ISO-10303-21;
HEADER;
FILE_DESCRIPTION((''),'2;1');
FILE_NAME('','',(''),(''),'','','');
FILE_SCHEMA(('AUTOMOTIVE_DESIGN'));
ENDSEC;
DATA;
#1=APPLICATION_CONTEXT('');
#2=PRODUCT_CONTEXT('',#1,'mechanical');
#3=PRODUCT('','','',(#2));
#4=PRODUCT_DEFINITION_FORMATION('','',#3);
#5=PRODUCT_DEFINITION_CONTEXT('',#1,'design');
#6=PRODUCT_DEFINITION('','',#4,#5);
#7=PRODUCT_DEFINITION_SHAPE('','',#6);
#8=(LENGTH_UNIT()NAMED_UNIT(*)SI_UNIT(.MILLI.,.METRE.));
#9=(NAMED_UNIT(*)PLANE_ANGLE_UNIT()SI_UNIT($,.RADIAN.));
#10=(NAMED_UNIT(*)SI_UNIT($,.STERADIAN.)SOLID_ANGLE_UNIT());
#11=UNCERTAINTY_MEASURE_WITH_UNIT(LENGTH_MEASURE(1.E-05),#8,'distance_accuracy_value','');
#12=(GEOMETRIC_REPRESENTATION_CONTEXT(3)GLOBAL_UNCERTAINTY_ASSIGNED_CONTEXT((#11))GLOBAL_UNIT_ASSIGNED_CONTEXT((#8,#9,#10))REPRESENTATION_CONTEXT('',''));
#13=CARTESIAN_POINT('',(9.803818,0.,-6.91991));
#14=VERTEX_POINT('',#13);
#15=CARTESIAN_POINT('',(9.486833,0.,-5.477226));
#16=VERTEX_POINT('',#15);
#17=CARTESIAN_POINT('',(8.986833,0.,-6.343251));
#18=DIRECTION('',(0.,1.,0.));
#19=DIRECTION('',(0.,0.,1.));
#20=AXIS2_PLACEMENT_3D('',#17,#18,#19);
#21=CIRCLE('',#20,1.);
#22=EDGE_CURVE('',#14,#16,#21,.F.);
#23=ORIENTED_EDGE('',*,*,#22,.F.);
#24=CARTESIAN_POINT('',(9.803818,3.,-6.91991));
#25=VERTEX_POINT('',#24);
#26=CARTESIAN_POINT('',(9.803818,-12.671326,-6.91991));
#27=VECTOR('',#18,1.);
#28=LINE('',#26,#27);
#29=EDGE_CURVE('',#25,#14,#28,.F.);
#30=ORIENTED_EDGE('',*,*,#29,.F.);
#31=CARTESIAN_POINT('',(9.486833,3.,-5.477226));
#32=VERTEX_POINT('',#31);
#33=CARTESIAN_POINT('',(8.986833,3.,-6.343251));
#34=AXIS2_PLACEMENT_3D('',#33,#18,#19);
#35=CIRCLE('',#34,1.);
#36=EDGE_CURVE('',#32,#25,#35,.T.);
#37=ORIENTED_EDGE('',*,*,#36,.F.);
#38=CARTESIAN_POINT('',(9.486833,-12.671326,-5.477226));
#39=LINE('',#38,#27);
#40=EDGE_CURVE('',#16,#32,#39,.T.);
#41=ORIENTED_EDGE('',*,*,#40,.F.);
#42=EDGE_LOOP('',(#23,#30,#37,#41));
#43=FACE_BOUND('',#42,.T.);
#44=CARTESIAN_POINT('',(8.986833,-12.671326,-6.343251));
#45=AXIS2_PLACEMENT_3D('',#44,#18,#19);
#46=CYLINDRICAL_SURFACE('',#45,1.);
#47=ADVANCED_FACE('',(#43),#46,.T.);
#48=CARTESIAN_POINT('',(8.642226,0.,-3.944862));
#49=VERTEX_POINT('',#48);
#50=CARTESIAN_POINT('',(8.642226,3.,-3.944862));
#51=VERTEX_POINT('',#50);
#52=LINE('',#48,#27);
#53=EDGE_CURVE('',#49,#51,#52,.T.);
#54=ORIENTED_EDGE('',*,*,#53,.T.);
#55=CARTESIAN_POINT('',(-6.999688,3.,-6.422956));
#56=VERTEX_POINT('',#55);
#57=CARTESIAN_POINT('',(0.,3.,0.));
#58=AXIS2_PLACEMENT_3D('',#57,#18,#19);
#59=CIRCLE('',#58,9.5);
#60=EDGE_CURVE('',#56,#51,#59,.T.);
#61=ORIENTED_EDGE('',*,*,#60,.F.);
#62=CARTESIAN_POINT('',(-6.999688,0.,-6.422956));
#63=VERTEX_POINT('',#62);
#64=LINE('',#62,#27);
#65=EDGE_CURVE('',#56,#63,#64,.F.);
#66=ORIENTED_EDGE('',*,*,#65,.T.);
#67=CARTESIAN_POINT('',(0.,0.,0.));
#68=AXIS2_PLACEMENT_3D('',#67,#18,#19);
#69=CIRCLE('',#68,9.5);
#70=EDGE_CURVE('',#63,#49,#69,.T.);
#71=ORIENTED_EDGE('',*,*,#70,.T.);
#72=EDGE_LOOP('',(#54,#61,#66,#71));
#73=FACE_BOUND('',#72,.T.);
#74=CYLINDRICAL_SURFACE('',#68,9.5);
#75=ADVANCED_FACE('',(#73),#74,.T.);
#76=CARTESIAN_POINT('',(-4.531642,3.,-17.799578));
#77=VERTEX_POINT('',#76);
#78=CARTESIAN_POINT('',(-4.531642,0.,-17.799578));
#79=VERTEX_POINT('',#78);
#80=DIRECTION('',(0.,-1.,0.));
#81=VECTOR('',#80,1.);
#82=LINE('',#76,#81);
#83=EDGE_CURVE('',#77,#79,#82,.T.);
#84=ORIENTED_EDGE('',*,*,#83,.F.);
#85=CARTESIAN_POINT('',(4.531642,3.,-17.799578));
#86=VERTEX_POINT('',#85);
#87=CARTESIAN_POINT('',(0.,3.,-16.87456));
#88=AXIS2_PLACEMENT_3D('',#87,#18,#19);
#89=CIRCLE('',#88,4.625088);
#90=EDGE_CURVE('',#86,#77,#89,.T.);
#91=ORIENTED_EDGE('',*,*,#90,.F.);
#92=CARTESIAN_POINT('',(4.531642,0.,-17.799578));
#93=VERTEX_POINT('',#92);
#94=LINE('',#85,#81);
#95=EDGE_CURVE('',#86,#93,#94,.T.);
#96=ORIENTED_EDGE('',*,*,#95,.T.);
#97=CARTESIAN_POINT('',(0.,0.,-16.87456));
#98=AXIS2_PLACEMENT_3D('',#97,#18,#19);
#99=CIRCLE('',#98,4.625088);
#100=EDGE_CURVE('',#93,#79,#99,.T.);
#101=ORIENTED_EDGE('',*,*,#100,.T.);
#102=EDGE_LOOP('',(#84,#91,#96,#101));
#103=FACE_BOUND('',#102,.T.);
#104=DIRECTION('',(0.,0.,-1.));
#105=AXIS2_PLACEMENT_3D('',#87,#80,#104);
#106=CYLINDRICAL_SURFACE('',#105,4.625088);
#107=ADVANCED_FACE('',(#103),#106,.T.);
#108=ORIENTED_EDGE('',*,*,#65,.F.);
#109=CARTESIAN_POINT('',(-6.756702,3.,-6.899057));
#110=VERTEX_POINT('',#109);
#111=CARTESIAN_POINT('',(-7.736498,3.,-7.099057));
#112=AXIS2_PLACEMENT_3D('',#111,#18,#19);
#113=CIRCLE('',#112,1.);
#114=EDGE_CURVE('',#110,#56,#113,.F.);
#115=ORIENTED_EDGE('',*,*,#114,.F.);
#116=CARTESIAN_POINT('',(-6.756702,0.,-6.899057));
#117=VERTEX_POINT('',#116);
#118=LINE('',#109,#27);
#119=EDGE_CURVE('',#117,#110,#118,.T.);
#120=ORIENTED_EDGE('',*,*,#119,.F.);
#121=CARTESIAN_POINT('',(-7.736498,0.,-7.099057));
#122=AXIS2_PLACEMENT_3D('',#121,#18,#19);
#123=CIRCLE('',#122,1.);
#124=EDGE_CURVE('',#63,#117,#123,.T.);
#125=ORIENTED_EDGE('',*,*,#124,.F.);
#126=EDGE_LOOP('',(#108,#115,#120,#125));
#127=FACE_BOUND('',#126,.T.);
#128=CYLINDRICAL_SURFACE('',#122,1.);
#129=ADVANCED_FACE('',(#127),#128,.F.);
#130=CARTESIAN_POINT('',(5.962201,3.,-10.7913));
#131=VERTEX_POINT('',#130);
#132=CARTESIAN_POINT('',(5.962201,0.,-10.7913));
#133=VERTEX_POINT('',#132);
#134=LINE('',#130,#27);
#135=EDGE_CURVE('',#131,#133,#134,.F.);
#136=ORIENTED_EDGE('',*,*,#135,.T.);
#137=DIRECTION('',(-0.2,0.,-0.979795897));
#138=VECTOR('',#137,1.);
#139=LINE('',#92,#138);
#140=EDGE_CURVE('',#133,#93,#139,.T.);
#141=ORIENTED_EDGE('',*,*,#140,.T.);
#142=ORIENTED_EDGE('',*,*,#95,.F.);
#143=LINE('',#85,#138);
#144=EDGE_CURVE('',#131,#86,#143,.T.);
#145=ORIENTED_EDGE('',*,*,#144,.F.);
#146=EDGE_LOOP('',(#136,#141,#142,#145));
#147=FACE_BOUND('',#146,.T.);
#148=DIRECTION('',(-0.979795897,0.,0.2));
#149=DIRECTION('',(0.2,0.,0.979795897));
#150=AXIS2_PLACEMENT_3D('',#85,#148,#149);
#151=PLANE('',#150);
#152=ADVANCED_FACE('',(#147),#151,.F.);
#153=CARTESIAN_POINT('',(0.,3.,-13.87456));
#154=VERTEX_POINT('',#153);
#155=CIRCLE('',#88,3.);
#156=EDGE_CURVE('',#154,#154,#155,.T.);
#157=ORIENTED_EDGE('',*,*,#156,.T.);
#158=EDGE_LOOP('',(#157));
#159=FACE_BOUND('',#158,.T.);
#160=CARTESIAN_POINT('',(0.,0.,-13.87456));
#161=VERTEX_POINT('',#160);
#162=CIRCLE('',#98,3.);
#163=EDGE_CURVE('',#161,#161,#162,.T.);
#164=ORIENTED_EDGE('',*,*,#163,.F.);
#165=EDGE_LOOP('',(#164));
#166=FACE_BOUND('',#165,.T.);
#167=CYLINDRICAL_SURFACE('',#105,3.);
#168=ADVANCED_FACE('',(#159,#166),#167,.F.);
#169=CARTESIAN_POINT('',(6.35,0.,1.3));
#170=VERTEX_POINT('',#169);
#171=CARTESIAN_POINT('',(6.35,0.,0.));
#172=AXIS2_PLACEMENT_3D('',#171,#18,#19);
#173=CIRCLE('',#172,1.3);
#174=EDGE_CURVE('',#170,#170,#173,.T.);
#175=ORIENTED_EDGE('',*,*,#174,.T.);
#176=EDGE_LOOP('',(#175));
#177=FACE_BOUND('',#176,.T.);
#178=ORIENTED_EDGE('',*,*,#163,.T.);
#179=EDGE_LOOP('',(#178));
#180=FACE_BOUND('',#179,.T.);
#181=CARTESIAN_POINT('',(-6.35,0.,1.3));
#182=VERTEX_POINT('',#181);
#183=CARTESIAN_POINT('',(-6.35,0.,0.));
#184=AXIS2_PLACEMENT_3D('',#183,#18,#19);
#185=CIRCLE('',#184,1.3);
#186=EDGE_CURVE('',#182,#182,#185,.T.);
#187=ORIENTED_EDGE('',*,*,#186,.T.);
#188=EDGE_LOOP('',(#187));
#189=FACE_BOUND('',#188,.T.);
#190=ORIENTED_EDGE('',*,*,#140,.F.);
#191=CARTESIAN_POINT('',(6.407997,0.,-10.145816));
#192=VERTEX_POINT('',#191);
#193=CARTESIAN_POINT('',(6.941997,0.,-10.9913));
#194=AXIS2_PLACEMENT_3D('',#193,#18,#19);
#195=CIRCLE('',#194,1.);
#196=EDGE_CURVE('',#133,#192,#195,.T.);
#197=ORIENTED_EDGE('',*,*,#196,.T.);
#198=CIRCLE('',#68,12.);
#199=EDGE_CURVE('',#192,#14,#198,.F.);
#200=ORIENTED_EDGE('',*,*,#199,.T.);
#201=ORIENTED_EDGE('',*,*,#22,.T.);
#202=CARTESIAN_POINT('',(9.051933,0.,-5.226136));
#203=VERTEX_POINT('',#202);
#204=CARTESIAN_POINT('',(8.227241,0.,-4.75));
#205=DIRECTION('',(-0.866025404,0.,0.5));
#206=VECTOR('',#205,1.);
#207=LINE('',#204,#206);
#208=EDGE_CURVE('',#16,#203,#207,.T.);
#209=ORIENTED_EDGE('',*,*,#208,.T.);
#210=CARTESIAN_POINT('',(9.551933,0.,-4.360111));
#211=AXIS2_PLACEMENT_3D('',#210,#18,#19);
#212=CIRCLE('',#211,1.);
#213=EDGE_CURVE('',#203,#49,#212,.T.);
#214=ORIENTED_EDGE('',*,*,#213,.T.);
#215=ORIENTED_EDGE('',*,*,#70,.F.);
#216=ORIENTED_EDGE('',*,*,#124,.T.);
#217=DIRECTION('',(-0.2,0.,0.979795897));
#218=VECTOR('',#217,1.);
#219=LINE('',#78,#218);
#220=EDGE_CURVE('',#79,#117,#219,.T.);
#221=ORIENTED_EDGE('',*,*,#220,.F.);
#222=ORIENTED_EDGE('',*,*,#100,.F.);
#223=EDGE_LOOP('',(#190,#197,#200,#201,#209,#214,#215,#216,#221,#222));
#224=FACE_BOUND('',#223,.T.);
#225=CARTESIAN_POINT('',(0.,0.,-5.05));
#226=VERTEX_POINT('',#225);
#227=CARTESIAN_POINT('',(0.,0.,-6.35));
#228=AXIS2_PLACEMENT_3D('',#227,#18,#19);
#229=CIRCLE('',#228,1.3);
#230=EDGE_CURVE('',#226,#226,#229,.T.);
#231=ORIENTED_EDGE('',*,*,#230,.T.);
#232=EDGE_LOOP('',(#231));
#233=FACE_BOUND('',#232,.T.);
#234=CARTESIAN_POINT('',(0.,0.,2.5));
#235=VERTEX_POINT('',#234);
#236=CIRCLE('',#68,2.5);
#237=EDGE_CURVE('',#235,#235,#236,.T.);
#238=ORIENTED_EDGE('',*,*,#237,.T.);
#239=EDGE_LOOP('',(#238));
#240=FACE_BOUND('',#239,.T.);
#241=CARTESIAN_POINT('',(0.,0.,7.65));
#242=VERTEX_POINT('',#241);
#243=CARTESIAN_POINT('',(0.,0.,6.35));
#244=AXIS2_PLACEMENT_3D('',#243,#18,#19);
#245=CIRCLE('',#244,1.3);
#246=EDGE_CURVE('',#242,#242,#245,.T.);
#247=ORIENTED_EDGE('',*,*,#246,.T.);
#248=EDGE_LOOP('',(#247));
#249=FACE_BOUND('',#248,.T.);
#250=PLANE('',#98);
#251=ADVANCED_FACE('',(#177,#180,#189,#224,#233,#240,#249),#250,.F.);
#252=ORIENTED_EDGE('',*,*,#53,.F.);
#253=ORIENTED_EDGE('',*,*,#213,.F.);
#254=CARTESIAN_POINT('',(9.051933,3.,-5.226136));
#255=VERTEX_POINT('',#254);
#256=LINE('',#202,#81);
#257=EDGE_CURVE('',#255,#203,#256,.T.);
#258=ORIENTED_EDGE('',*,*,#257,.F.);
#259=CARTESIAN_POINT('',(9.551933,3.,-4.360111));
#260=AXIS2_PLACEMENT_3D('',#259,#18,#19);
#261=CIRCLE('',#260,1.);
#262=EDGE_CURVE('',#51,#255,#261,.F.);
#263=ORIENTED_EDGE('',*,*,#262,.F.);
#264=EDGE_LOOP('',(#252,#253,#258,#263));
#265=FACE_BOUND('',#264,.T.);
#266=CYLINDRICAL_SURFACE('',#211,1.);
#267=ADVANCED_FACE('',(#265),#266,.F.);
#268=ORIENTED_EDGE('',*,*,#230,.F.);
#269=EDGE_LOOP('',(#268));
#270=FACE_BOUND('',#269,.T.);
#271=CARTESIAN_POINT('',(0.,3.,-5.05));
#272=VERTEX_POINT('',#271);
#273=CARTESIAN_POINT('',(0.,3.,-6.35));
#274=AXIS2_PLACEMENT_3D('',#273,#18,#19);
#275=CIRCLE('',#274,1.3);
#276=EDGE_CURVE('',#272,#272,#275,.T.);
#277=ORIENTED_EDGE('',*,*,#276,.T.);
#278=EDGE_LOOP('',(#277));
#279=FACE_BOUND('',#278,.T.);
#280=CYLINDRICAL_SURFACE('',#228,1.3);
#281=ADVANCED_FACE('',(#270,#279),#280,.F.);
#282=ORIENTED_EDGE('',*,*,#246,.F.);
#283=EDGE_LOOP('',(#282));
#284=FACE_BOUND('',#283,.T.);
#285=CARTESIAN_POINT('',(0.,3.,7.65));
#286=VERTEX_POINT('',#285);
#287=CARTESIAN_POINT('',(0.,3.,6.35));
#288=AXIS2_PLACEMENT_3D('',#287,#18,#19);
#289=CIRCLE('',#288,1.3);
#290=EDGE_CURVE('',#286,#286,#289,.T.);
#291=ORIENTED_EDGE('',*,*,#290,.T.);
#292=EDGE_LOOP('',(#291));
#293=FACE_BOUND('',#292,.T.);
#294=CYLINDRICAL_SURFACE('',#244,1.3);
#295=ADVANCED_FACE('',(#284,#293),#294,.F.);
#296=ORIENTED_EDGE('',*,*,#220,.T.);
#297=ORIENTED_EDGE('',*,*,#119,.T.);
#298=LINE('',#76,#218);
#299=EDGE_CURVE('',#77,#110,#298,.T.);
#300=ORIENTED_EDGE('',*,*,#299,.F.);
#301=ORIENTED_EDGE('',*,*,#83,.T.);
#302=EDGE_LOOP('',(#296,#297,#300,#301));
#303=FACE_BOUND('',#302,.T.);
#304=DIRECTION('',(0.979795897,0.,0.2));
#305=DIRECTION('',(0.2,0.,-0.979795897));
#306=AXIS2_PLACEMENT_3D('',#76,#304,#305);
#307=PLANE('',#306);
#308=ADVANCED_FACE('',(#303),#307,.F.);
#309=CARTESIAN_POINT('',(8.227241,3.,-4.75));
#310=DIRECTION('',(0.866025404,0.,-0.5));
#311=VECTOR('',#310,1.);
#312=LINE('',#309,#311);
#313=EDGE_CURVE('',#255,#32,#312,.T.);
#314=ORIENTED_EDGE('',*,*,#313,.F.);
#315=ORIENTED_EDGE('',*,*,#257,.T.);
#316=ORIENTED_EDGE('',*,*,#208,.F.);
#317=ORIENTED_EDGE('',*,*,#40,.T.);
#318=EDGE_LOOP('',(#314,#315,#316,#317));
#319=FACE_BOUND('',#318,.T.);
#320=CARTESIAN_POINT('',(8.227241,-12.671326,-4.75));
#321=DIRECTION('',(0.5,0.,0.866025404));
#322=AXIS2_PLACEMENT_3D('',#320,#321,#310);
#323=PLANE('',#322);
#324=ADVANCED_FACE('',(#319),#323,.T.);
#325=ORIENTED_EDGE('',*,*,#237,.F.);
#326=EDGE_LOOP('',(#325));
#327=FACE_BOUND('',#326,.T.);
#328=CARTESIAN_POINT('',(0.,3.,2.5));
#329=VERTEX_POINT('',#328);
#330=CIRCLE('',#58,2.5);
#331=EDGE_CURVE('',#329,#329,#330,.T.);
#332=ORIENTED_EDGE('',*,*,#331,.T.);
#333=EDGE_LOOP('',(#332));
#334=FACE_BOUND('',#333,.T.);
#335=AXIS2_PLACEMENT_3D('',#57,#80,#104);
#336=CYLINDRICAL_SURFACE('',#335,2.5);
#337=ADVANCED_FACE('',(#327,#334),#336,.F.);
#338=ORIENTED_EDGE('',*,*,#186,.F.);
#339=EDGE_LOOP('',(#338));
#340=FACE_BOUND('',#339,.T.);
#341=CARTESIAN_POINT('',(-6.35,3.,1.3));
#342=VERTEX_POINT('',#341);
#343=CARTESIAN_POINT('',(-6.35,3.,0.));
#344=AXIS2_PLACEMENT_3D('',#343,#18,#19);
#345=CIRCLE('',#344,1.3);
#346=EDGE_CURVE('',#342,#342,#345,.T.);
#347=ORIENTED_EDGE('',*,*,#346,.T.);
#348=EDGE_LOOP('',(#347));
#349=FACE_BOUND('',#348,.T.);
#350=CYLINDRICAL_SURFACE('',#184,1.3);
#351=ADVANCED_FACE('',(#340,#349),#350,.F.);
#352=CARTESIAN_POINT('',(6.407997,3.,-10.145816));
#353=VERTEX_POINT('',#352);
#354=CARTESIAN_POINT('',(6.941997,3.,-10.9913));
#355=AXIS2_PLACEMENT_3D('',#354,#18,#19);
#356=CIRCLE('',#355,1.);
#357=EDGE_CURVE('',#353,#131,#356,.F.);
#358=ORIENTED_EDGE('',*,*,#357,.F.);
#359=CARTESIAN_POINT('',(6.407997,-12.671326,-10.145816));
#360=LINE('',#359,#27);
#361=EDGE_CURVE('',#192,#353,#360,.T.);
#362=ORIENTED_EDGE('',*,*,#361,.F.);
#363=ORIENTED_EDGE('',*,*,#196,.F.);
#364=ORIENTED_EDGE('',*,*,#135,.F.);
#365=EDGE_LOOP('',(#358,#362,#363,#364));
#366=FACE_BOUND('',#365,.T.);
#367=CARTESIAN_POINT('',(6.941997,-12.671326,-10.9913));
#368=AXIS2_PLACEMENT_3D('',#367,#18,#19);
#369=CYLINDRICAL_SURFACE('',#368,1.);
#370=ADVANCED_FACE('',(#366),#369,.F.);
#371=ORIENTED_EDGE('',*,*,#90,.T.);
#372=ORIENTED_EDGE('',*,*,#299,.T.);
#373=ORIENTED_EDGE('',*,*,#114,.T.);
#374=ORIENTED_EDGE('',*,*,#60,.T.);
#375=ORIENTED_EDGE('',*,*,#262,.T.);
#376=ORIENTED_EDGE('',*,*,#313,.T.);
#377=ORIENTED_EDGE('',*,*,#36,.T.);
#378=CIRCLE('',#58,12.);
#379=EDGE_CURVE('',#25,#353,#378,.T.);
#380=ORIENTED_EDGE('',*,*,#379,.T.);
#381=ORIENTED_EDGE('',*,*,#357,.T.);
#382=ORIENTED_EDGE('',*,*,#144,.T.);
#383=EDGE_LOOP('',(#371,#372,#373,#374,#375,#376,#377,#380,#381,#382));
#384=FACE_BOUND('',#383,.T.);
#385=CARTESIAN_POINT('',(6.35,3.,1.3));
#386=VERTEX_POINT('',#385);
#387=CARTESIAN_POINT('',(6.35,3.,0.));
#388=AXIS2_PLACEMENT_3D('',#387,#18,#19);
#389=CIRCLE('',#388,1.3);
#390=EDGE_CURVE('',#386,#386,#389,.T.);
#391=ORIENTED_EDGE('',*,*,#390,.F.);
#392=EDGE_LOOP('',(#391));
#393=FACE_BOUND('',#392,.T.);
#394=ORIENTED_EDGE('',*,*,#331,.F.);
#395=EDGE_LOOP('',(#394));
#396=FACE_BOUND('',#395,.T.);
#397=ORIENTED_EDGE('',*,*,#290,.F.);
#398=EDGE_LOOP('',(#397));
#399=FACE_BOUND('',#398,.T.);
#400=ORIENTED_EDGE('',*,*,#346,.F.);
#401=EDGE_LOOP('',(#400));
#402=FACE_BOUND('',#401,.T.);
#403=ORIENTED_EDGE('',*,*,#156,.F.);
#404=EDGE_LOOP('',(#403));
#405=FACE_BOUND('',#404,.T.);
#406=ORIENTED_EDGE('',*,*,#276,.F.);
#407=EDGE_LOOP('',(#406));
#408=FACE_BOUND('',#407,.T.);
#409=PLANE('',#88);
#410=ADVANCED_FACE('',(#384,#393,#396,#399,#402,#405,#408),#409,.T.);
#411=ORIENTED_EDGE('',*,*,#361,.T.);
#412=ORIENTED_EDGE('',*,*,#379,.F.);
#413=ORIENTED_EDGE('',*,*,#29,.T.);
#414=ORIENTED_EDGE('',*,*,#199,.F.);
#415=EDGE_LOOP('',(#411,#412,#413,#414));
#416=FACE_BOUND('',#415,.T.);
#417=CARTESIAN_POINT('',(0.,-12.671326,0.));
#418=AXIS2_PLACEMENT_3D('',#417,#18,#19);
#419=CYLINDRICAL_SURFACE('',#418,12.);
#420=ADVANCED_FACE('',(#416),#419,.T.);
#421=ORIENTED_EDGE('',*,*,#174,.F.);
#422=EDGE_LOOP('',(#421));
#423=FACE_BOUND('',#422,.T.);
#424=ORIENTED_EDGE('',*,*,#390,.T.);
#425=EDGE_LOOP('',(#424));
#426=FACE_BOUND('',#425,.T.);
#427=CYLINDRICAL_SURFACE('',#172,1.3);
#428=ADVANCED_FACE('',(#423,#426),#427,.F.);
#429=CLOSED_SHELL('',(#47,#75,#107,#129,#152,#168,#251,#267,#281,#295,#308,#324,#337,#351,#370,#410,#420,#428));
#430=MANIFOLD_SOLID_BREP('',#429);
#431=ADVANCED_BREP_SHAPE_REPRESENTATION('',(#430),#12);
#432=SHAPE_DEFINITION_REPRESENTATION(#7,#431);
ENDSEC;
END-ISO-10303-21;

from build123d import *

# Parameters (mm, degrees)
SKETCH1_R           = 3
SKETCH1_R_2         = 2.5
BOSS_EXTRUDE1_DEPTH = 3
SKETCH2_R           = 1.3
CUT_EXTRUDE1_DEPTH  = 3
BOSS_EXTRUDE2_START = -3
BOSS_EXTRUDE2_DEPTH = 3
BOSS_EXTRUDE3_START = -3
BOSS_EXTRUDE3_DEPTH = 3
FILLET1_R           = 1


with BuildPart() as part:
    # Sketch1 → Boss-Extrude1 (new body)
    with BuildSketch(Plane(origin=(0, 0, 0), x_dir=(1, 0, 0), z_dir=(0, 1, 0))):
        with BuildLine():
            Line((-4.531642246, 17.7995776), (-7.838367177, 1.6))
            ThreePointArc((-7.838367177, 1.6), (0, -8), (7.838367177, 1.6))
            Line((7.838367177, 1.6), (4.531642246, 17.7995776))
            ThreePointArc((4.531642246, 17.7995776), (0, 21.499648), (-4.531642246, 17.7995776))
        make_face()
        with Locations(Location((0, 16.87456, 0), (0, 0, 270))):
            Circle(SKETCH1_R, mode=Mode.SUBTRACT)
        with Locations(Location((0, 0, 0), (0, 0, 270))):
            Circle(SKETCH1_R_2, mode=Mode.SUBTRACT)
    extrude(amount=BOSS_EXTRUDE1_DEPTH)

    # Sketch2 → Cut-Extrude1 (cut)
    with BuildSketch(Plane(origin=(0, 3, 0), x_dir=(1, 0, 0), z_dir=(0, 1, 0))):
        with Locations(Location((0, 6.35, 0), (0, 0, 270))):
            Circle(SKETCH2_R)
        with Locations(Location((6.35, 0, 0), (0, 0, 270))):
            Circle(SKETCH2_R)
        with Locations(Location((0, -6.35, 0), (0, 0, 270))):
            Circle(SKETCH2_R)
        with Locations(Location((-6.35, 0, 0), (0, 0, 270))):
            Circle(SKETCH2_R)
    extrude(amount=-CUT_EXTRUDE1_DEPTH, mode=Mode.SUBTRACT)

    # Sketch3 → Boss-Extrude2 (add)
    with BuildSketch(Plane(origin=(0, 3, 0), x_dir=(1, 0, 0), z_dir=(0, 1, 0)).offset(BOSS_EXTRUDE2_START)):
        with BuildLine():
            Line((-7.838367177, 1.6), (-6.8136721, 6.619960159))
            ThreePointArc((-6.8136721, 6.619960159), (0, -9.5), (6.8136721, 6.619960159))
            Line((6.8136721, 6.619960159), (7.838367177, 1.6))
            ThreePointArc((7.838367177, 1.6), (0, -8), (-7.838367177, 1.6))
        make_face()
    extrude(amount=BOSS_EXTRUDE2_DEPTH)

    # Sketch4 → Boss-Extrude3 (add)
    with BuildSketch(Plane(origin=(0, 3, 0), x_dir=(1, 0, 0), z_dir=(0, 1, 0)).offset(BOSS_EXTRUDE3_START)):
        with BuildLine():
            Line((8.227241336, 4.75), (10.392304845, 6))
            ThreePointArc((10.392304845, 6), (6, 10.392304845), (0, 12))
            Line((0, 12), (0, 9.5))
            ThreePointArc((0, 9.5), (4.75, 8.227241336), (8.227241336, 4.75))
        make_face()
    extrude(amount=BOSS_EXTRUDE3_DEPTH)

    # Fillet1
    fillet1_edges = [part.edges().sort_by_distance(p)[0] for p in [
        (-6.8136721, 1.5, -6.619960159),
        (6.049512795, 1.5, -10.36356092),
        (8.227241336, 1.5, -4.75),
        (10.392304845, 1.5, -6),
    ]]
    fillet(fillet1_edges, radius=FILLET1_R)


solid = part.part
